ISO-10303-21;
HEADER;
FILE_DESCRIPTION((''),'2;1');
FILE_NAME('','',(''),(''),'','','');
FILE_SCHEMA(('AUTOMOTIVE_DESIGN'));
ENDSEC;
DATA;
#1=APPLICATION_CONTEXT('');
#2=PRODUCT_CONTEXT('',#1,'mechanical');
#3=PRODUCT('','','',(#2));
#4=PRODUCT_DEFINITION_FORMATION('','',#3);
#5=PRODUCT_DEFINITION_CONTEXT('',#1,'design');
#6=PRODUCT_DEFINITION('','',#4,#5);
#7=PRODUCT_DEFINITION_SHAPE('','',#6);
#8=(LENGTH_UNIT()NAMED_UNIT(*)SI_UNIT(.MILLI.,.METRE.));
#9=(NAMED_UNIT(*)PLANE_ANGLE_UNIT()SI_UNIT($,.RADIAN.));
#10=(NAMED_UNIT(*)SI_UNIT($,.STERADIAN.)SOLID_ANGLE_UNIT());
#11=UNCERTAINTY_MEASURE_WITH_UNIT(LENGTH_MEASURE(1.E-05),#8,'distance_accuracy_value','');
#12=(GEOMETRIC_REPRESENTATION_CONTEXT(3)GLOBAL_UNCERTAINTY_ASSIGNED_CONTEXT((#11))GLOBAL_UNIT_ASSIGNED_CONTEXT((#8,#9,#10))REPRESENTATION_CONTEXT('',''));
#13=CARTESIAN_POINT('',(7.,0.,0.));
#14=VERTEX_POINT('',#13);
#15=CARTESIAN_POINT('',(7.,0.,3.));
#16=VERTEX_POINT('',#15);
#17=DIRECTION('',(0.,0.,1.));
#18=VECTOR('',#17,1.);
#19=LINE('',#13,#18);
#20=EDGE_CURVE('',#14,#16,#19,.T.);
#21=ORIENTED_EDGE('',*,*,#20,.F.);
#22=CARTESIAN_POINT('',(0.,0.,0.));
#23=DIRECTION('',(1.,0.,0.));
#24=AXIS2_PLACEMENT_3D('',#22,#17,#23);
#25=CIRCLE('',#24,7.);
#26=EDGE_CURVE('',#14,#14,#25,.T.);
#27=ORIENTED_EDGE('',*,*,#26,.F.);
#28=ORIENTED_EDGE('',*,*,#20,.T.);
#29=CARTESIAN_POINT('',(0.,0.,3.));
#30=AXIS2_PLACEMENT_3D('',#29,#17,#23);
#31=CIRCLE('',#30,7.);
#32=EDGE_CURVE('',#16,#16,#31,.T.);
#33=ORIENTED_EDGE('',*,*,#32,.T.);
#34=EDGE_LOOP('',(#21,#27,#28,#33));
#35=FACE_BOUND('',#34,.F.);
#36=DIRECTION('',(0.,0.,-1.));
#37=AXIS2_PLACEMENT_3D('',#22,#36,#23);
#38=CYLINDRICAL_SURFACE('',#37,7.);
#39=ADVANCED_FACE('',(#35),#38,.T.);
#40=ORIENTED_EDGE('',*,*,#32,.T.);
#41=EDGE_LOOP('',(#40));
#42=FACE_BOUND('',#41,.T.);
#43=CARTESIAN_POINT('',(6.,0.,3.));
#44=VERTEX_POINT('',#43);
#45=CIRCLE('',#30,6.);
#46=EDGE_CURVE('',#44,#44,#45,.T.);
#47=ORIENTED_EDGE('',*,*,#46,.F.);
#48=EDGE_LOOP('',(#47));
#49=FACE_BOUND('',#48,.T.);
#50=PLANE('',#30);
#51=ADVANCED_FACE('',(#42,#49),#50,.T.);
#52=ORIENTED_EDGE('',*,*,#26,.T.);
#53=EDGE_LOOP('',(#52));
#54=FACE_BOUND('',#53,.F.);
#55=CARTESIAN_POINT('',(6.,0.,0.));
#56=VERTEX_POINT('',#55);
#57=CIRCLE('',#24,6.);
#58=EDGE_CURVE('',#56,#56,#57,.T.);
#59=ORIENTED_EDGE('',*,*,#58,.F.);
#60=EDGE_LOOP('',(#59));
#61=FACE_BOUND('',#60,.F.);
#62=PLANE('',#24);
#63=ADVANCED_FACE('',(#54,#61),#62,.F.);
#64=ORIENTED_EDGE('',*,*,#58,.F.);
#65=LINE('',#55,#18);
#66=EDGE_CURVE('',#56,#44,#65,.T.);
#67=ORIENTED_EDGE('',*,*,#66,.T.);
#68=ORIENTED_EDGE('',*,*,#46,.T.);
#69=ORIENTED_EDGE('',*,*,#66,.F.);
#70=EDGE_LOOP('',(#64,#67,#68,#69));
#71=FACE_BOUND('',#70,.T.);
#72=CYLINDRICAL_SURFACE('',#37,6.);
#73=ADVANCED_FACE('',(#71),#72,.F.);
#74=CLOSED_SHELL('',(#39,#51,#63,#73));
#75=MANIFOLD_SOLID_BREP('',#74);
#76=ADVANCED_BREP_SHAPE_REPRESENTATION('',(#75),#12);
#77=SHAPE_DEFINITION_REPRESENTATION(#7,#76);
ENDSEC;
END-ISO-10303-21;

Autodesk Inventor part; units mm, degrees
ref_plane "YZ Plane" through (0, 0, 0) normal (1, 0, 0) x (0, 1, 0)
ref_plane "XZ Plane" through (0, 0, 0) normal (0, 1, 0) x (-1, 0, 0)
ref_plane "XY Plane" through (0, 0, 0) normal (0, 0, 1) x (1, 0, 0)
sketch "スケッチ1" plane through (0, 0, 0) normal (0, 0, 1) x (1, 0, 0)
  circle A0 centre (0, 0) radius 6
  circle A1 centre (0, 0) radius 7
  dimension "d0" = 12
  dimension "d1" = 14
extrude "押し出し1" add sketch "スケッチ1" along normal blind 3
properties part number "オイレス12-14-3" material "アセタール樹脂、黒"
